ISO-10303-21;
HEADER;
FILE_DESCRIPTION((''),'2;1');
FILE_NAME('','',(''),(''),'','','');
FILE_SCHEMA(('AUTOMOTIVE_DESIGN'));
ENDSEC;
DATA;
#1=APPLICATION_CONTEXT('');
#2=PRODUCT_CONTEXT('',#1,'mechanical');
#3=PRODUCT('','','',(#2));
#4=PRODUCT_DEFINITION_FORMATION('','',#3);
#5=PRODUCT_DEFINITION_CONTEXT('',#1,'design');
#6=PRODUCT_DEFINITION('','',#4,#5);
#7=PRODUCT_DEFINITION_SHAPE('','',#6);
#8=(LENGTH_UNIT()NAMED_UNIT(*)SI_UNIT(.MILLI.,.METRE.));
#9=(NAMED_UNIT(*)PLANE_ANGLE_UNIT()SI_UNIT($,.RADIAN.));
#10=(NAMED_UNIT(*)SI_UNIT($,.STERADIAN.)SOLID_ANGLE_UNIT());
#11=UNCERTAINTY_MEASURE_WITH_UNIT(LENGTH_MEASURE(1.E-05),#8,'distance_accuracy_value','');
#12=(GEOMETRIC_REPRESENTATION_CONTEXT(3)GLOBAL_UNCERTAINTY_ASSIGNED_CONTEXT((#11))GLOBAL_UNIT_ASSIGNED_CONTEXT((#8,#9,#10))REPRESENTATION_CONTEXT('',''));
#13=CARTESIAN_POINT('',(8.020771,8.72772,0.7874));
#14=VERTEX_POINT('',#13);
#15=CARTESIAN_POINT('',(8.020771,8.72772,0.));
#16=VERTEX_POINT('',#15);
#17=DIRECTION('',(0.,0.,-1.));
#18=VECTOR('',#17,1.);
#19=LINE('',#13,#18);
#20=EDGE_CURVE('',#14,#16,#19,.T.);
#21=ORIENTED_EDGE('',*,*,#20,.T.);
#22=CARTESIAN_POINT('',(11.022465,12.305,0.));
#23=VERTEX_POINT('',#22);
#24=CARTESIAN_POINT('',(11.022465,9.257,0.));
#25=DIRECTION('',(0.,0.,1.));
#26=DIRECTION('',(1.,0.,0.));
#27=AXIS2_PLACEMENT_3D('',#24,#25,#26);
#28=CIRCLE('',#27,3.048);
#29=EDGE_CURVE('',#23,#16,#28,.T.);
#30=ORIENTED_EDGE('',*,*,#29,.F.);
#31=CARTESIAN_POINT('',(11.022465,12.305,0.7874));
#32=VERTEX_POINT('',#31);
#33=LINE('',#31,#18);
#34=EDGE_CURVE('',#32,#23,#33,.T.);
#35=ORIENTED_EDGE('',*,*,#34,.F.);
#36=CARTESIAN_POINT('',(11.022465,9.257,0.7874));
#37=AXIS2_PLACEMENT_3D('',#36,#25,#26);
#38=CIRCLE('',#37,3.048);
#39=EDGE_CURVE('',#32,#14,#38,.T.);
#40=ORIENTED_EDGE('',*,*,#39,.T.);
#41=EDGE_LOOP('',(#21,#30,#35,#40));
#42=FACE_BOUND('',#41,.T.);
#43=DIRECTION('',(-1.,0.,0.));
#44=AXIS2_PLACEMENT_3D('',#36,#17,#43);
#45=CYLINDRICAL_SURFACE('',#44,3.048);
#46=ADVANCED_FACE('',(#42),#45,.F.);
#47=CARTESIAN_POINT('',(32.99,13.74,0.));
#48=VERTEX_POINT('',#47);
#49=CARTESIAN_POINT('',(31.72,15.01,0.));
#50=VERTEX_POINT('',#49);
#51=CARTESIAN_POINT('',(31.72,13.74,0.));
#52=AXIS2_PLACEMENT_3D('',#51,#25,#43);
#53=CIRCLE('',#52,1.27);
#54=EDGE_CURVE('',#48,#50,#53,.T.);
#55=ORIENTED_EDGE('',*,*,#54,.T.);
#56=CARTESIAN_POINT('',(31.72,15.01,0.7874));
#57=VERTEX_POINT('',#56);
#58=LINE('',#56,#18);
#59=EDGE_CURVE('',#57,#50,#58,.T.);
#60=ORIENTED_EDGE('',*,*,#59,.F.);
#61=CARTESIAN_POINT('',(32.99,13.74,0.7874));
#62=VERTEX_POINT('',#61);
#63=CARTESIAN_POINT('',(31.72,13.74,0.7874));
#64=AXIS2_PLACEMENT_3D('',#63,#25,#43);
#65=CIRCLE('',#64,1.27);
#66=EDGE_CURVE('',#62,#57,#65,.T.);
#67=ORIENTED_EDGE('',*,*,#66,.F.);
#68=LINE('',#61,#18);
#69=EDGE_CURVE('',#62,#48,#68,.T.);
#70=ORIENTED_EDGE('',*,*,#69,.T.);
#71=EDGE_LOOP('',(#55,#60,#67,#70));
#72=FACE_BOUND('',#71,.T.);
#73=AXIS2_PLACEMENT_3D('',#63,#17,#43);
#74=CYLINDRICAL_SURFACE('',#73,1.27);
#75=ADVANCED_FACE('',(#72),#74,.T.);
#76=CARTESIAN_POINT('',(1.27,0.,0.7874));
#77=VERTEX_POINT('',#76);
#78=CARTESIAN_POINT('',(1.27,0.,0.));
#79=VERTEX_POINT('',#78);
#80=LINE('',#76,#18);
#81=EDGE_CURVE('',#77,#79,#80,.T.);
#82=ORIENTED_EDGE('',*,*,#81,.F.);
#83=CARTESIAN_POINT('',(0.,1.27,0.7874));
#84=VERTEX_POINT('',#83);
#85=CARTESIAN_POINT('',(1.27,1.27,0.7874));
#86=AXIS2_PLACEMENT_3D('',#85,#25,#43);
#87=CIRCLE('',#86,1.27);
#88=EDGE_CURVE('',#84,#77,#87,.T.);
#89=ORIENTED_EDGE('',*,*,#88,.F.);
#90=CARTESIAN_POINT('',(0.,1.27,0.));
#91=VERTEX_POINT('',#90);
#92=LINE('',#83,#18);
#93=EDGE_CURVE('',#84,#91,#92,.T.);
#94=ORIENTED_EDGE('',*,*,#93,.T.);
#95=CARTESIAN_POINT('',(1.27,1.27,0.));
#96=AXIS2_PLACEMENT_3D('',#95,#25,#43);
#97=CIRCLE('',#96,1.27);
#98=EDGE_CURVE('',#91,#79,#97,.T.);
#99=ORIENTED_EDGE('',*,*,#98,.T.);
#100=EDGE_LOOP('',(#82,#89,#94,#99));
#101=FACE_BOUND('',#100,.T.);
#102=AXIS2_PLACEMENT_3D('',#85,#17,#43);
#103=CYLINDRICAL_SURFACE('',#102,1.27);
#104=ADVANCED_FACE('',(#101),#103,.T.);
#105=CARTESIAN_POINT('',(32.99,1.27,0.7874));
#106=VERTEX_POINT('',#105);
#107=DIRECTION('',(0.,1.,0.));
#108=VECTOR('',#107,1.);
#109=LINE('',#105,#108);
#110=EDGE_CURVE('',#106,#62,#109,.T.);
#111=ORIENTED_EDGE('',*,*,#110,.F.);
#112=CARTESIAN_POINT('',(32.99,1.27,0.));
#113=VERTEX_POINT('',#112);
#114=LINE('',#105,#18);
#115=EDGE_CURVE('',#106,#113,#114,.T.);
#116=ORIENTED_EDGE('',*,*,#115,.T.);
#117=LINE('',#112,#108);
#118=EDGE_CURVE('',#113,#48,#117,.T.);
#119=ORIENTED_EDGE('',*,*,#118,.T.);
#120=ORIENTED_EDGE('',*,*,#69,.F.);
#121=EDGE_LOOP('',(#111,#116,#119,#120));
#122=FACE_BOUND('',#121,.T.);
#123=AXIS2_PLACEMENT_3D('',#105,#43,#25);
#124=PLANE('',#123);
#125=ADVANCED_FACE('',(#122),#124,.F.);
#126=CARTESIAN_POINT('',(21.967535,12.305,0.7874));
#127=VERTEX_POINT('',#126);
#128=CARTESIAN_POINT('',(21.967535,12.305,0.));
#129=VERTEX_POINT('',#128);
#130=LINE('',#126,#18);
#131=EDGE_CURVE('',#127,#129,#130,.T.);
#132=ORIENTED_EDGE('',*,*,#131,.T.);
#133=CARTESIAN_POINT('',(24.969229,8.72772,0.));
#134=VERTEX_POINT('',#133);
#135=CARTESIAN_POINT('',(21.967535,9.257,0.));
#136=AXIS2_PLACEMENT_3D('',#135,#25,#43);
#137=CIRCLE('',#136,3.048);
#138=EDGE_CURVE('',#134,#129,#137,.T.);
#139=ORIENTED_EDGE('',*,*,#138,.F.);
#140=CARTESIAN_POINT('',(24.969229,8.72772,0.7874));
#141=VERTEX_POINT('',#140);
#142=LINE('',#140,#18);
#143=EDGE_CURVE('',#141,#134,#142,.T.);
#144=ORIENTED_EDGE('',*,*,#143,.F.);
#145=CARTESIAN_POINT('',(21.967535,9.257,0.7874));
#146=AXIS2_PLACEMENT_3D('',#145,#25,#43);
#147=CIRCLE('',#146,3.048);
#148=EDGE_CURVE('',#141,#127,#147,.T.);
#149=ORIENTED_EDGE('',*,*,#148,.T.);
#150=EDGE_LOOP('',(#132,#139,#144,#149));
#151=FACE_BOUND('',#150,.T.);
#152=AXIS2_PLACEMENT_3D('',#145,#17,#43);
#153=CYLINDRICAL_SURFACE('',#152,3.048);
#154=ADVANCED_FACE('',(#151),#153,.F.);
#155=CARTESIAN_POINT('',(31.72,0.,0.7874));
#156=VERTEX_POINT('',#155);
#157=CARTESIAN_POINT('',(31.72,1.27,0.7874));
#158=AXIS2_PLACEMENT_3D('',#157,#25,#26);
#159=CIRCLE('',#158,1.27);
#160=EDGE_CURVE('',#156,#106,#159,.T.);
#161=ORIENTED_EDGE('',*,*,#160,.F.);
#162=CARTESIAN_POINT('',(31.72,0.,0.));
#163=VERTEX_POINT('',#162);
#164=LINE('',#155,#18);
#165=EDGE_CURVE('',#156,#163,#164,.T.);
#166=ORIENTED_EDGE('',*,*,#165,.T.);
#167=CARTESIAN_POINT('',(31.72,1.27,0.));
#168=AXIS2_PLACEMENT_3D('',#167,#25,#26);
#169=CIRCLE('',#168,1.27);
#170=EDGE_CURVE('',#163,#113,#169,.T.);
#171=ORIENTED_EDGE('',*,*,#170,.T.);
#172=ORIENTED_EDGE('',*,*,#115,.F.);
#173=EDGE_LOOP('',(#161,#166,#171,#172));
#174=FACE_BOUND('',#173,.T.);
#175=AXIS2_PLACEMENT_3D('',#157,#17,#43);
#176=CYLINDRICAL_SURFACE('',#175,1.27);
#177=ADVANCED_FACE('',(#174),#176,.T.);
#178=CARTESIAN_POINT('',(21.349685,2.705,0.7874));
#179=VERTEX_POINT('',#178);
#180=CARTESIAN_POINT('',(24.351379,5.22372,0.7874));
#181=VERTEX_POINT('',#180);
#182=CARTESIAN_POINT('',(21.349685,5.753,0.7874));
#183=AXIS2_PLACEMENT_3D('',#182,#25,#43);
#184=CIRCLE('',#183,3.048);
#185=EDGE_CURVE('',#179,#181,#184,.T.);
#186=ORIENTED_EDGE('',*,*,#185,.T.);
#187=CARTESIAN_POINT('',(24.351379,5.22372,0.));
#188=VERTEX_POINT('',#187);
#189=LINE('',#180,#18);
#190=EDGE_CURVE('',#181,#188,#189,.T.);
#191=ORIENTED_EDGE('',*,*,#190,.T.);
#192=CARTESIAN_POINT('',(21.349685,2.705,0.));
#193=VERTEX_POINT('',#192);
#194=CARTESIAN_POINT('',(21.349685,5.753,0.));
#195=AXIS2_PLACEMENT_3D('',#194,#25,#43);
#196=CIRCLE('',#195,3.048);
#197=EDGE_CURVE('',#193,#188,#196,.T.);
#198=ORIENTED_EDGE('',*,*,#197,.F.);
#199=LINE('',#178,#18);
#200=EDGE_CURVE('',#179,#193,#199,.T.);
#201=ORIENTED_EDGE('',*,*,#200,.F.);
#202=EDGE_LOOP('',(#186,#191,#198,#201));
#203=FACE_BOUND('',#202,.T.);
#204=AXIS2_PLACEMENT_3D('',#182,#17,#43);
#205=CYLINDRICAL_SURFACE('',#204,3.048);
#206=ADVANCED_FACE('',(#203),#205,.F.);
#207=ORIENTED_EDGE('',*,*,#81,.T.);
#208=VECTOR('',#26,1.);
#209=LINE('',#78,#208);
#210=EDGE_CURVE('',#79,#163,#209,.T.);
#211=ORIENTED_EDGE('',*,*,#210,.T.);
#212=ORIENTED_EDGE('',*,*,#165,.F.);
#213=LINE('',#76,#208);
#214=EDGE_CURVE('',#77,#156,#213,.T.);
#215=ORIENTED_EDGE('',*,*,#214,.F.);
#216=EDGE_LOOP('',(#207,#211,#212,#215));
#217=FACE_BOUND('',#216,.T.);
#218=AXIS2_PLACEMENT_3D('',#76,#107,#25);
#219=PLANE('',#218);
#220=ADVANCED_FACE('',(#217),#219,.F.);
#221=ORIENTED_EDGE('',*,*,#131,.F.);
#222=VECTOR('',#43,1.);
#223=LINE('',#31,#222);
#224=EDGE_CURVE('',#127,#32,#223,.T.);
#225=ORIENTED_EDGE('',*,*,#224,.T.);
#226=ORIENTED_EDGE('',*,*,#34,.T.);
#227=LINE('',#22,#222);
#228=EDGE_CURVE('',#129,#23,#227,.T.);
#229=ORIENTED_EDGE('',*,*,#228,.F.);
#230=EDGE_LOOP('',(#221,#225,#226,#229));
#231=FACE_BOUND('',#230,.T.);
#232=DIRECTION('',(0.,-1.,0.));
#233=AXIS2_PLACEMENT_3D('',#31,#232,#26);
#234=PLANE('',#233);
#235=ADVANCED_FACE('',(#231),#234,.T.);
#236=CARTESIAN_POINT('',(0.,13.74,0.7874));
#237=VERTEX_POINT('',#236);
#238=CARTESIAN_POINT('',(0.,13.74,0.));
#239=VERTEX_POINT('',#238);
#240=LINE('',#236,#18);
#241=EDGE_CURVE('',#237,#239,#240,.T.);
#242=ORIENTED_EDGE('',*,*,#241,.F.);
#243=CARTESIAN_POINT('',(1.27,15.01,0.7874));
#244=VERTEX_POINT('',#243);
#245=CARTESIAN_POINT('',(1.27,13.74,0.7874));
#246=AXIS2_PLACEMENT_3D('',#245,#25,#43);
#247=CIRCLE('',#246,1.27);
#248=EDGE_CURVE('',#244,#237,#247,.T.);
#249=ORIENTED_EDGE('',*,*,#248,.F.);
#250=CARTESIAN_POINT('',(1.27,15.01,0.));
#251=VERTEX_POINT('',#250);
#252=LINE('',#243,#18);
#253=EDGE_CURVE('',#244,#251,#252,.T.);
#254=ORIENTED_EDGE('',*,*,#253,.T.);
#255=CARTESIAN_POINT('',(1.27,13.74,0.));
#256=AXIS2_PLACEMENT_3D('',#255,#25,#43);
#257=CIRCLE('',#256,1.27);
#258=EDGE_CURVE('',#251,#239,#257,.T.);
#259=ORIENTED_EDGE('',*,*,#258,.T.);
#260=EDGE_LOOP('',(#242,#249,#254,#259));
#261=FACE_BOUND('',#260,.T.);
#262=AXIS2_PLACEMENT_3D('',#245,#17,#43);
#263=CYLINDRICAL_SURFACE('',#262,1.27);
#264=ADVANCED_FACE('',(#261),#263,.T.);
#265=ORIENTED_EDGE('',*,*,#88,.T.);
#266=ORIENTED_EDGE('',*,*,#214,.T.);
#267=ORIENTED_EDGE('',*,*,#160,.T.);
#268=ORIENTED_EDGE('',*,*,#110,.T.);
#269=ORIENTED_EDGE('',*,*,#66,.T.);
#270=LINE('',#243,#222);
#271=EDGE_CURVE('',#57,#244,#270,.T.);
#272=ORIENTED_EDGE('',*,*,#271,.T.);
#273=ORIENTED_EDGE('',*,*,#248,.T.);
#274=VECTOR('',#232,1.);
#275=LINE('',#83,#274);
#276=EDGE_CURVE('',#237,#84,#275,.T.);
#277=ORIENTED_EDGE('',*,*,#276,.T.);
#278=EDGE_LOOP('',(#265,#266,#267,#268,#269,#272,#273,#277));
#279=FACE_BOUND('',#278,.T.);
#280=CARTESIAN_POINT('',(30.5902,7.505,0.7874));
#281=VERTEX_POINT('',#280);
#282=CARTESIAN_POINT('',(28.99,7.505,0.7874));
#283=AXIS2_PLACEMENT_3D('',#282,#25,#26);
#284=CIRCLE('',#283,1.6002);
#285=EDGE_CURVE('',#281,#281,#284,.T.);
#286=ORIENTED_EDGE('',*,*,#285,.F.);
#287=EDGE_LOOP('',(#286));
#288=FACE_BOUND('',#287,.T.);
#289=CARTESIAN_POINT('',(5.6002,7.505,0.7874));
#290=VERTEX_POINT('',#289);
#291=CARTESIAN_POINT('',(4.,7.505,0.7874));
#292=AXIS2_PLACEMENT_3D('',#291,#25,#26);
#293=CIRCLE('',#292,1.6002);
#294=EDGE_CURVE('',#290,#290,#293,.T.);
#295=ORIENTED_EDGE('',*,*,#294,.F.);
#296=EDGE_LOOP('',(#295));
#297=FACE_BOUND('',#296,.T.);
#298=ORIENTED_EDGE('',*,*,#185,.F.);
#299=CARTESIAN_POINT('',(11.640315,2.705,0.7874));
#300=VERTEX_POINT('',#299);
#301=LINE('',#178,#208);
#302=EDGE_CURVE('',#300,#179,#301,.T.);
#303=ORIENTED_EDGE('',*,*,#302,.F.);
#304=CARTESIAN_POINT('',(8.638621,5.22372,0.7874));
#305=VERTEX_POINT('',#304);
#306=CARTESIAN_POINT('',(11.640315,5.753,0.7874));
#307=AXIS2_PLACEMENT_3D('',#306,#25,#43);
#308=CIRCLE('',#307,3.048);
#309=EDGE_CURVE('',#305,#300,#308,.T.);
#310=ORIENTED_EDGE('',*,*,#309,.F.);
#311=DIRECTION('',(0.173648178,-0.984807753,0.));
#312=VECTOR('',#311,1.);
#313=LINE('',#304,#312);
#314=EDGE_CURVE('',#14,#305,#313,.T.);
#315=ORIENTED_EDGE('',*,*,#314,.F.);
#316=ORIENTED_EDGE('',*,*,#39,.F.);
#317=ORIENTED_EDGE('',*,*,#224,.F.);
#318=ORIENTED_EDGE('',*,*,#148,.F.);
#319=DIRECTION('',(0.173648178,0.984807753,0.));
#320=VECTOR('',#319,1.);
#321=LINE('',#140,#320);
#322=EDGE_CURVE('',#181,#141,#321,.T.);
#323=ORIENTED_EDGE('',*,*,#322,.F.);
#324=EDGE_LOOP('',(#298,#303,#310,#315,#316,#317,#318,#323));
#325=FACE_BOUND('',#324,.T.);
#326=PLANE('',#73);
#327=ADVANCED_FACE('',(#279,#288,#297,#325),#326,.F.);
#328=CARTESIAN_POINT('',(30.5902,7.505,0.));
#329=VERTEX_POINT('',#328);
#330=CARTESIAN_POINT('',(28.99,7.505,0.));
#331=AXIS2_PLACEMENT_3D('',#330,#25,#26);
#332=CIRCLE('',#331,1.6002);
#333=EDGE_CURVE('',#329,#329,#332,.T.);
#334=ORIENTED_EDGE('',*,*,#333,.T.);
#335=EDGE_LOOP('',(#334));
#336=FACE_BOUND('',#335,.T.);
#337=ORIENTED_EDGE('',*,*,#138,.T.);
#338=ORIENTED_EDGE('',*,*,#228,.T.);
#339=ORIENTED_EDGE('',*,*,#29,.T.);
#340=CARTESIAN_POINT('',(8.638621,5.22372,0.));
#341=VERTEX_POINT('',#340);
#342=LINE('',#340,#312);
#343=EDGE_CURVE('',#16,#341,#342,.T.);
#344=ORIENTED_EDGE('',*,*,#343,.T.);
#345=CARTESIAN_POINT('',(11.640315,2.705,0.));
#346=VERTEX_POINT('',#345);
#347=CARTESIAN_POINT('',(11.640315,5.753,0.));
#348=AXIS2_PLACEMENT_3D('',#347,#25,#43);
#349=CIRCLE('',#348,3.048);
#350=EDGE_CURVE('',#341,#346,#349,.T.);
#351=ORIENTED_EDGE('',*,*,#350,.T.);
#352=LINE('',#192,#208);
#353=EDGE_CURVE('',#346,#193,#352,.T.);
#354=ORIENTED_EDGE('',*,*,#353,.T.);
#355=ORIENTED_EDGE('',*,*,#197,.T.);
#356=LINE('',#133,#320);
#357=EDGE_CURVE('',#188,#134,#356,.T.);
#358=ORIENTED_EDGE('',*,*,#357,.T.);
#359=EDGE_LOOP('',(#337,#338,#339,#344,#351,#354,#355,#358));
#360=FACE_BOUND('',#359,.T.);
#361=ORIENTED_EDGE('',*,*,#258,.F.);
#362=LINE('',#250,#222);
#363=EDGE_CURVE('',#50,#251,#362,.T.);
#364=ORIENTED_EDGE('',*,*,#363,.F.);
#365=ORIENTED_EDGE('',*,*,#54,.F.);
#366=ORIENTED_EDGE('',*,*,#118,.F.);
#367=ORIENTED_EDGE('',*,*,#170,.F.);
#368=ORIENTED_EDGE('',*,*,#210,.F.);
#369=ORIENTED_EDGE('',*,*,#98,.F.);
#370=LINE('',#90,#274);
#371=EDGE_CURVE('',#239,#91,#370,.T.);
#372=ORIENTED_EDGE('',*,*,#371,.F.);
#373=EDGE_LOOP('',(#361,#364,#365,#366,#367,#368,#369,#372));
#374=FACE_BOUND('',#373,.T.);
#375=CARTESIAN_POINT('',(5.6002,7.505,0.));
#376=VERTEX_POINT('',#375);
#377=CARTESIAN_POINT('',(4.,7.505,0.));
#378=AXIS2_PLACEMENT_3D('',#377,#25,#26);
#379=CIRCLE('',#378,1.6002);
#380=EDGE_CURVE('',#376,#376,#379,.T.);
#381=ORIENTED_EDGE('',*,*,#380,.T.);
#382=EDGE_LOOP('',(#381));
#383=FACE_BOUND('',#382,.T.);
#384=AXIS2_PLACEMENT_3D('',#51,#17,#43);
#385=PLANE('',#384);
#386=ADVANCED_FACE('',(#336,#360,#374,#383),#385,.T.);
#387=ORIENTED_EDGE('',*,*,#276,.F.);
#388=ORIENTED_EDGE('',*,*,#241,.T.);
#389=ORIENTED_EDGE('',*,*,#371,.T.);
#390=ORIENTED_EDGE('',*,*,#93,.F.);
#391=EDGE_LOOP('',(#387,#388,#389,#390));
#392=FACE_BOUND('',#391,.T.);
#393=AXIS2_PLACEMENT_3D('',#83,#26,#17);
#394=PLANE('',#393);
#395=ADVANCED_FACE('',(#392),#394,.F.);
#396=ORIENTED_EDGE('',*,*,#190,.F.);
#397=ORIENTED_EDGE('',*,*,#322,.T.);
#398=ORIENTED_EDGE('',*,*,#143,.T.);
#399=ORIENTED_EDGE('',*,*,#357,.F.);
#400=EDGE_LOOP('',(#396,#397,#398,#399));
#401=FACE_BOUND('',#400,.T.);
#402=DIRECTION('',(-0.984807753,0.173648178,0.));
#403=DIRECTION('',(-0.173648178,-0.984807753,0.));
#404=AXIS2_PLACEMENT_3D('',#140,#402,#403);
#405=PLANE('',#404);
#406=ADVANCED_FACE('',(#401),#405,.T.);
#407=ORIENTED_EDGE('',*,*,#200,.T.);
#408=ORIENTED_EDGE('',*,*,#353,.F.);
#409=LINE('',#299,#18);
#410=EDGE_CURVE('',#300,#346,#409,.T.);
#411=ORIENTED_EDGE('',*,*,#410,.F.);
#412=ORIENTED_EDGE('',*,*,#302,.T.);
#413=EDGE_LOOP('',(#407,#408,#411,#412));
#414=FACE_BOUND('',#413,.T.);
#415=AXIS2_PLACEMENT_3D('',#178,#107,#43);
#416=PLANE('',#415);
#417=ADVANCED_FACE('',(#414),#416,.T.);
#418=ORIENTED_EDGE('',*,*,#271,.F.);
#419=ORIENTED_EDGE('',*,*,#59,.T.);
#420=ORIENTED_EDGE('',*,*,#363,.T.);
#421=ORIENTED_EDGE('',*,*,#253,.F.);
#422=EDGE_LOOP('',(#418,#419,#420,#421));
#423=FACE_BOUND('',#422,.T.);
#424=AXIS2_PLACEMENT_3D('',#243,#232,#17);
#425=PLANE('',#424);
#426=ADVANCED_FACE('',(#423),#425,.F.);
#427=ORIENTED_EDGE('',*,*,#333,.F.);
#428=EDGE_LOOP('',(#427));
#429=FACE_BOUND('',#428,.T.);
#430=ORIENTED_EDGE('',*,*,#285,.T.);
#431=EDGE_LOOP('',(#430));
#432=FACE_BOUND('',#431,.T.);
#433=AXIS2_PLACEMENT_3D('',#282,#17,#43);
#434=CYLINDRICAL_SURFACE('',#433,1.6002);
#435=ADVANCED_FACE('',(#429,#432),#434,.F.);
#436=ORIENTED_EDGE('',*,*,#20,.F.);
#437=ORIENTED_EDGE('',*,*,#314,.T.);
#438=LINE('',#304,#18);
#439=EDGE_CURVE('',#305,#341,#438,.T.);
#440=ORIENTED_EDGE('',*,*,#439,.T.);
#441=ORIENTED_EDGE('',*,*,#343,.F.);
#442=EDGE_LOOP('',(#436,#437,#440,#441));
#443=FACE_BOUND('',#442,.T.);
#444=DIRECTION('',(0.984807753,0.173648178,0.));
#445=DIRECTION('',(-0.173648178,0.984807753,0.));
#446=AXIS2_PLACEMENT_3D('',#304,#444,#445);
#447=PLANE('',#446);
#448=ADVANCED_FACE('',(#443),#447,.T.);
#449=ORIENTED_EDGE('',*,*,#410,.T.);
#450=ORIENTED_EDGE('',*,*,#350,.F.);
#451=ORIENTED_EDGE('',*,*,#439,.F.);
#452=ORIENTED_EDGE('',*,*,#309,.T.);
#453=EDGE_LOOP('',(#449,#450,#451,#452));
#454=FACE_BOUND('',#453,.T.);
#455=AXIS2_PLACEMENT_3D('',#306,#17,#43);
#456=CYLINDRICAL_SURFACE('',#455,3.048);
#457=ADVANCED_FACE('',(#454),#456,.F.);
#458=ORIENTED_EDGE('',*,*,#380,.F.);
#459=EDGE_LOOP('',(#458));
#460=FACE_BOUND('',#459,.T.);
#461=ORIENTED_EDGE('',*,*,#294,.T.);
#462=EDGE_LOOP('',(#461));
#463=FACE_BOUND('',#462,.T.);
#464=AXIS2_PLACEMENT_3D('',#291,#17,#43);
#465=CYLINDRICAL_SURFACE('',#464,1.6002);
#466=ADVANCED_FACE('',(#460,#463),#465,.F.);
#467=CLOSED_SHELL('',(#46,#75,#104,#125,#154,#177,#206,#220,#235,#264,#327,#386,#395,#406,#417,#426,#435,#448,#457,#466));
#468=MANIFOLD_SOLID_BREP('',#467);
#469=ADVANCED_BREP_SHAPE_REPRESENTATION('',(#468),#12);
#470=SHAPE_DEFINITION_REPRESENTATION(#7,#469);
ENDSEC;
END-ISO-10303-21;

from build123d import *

# Parameters (mm, degrees)
SKETCH1_R           = 1.6002
BOSS_EXTRUDE1_DEPTH = 0.7874


with BuildPart() as part:
    # Sketch1 → Boss-Extrude1 (new body)
    with BuildSketch(Plane.XY):
        with BuildLine():
            Line((1.27, 0), (31.72, 0))
            ThreePointArc((31.72, 0), (32.618025612, 0.371974388), (32.99, 1.27))
            Line((32.99, 1.27), (32.99, 13.74))
            ThreePointArc((32.99, 13.74), (32.618025612, 14.638025612), (31.72, 15.01))
            Line((31.72, 15.01), (1.27, 15.01))
            ThreePointArc((1.27, 15.01), (0.371974388, 14.638025612), (0, 13.74))
            Line((0, 13.74), (0, 1.27))
            ThreePointArc((0, 1.27), (0.371974388, 0.371974388), (1.27, 0))
        make_face()
        with Locations((4, 7.505)):
            Circle(SKETCH1_R, mode=Mode.SUBTRACT)
        with Locations((28.99, 7.505)):
            Circle(SKETCH1_R, mode=Mode.SUBTRACT)
        with BuildLine():
            Line((11.02246495, 12.305), (21.96753505, 12.305))
            ThreePointArc((21.96753505, 12.305), (24.302438512, 11.216216634), (24.969229081, 8.727720354))
            Line((24.969229081, 8.727720354), (24.351379341, 5.223720354))
            ThreePointArc((24.351379341, 5.223720354), (23.308901944, 3.418096537), (21.349685309, 2.705))
            Line((21.349685309, 2.705), (11.640314691, 2.705))
            ThreePointArc((11.640314691, 2.705), (9.681098056, 3.418096537), (8.638620659, 5.223720354))
            Line((8.638620659, 5.223720354), (8.020770919, 8.727720354))
            ThreePointArc((8.020770919, 8.727720354), (8.687561488, 11.216216634), (11.02246495, 12.305))
        make_face(mode=Mode.SUBTRACT)
    extrude(amount=BOSS_EXTRUDE1_DEPTH)


solid = part.part
